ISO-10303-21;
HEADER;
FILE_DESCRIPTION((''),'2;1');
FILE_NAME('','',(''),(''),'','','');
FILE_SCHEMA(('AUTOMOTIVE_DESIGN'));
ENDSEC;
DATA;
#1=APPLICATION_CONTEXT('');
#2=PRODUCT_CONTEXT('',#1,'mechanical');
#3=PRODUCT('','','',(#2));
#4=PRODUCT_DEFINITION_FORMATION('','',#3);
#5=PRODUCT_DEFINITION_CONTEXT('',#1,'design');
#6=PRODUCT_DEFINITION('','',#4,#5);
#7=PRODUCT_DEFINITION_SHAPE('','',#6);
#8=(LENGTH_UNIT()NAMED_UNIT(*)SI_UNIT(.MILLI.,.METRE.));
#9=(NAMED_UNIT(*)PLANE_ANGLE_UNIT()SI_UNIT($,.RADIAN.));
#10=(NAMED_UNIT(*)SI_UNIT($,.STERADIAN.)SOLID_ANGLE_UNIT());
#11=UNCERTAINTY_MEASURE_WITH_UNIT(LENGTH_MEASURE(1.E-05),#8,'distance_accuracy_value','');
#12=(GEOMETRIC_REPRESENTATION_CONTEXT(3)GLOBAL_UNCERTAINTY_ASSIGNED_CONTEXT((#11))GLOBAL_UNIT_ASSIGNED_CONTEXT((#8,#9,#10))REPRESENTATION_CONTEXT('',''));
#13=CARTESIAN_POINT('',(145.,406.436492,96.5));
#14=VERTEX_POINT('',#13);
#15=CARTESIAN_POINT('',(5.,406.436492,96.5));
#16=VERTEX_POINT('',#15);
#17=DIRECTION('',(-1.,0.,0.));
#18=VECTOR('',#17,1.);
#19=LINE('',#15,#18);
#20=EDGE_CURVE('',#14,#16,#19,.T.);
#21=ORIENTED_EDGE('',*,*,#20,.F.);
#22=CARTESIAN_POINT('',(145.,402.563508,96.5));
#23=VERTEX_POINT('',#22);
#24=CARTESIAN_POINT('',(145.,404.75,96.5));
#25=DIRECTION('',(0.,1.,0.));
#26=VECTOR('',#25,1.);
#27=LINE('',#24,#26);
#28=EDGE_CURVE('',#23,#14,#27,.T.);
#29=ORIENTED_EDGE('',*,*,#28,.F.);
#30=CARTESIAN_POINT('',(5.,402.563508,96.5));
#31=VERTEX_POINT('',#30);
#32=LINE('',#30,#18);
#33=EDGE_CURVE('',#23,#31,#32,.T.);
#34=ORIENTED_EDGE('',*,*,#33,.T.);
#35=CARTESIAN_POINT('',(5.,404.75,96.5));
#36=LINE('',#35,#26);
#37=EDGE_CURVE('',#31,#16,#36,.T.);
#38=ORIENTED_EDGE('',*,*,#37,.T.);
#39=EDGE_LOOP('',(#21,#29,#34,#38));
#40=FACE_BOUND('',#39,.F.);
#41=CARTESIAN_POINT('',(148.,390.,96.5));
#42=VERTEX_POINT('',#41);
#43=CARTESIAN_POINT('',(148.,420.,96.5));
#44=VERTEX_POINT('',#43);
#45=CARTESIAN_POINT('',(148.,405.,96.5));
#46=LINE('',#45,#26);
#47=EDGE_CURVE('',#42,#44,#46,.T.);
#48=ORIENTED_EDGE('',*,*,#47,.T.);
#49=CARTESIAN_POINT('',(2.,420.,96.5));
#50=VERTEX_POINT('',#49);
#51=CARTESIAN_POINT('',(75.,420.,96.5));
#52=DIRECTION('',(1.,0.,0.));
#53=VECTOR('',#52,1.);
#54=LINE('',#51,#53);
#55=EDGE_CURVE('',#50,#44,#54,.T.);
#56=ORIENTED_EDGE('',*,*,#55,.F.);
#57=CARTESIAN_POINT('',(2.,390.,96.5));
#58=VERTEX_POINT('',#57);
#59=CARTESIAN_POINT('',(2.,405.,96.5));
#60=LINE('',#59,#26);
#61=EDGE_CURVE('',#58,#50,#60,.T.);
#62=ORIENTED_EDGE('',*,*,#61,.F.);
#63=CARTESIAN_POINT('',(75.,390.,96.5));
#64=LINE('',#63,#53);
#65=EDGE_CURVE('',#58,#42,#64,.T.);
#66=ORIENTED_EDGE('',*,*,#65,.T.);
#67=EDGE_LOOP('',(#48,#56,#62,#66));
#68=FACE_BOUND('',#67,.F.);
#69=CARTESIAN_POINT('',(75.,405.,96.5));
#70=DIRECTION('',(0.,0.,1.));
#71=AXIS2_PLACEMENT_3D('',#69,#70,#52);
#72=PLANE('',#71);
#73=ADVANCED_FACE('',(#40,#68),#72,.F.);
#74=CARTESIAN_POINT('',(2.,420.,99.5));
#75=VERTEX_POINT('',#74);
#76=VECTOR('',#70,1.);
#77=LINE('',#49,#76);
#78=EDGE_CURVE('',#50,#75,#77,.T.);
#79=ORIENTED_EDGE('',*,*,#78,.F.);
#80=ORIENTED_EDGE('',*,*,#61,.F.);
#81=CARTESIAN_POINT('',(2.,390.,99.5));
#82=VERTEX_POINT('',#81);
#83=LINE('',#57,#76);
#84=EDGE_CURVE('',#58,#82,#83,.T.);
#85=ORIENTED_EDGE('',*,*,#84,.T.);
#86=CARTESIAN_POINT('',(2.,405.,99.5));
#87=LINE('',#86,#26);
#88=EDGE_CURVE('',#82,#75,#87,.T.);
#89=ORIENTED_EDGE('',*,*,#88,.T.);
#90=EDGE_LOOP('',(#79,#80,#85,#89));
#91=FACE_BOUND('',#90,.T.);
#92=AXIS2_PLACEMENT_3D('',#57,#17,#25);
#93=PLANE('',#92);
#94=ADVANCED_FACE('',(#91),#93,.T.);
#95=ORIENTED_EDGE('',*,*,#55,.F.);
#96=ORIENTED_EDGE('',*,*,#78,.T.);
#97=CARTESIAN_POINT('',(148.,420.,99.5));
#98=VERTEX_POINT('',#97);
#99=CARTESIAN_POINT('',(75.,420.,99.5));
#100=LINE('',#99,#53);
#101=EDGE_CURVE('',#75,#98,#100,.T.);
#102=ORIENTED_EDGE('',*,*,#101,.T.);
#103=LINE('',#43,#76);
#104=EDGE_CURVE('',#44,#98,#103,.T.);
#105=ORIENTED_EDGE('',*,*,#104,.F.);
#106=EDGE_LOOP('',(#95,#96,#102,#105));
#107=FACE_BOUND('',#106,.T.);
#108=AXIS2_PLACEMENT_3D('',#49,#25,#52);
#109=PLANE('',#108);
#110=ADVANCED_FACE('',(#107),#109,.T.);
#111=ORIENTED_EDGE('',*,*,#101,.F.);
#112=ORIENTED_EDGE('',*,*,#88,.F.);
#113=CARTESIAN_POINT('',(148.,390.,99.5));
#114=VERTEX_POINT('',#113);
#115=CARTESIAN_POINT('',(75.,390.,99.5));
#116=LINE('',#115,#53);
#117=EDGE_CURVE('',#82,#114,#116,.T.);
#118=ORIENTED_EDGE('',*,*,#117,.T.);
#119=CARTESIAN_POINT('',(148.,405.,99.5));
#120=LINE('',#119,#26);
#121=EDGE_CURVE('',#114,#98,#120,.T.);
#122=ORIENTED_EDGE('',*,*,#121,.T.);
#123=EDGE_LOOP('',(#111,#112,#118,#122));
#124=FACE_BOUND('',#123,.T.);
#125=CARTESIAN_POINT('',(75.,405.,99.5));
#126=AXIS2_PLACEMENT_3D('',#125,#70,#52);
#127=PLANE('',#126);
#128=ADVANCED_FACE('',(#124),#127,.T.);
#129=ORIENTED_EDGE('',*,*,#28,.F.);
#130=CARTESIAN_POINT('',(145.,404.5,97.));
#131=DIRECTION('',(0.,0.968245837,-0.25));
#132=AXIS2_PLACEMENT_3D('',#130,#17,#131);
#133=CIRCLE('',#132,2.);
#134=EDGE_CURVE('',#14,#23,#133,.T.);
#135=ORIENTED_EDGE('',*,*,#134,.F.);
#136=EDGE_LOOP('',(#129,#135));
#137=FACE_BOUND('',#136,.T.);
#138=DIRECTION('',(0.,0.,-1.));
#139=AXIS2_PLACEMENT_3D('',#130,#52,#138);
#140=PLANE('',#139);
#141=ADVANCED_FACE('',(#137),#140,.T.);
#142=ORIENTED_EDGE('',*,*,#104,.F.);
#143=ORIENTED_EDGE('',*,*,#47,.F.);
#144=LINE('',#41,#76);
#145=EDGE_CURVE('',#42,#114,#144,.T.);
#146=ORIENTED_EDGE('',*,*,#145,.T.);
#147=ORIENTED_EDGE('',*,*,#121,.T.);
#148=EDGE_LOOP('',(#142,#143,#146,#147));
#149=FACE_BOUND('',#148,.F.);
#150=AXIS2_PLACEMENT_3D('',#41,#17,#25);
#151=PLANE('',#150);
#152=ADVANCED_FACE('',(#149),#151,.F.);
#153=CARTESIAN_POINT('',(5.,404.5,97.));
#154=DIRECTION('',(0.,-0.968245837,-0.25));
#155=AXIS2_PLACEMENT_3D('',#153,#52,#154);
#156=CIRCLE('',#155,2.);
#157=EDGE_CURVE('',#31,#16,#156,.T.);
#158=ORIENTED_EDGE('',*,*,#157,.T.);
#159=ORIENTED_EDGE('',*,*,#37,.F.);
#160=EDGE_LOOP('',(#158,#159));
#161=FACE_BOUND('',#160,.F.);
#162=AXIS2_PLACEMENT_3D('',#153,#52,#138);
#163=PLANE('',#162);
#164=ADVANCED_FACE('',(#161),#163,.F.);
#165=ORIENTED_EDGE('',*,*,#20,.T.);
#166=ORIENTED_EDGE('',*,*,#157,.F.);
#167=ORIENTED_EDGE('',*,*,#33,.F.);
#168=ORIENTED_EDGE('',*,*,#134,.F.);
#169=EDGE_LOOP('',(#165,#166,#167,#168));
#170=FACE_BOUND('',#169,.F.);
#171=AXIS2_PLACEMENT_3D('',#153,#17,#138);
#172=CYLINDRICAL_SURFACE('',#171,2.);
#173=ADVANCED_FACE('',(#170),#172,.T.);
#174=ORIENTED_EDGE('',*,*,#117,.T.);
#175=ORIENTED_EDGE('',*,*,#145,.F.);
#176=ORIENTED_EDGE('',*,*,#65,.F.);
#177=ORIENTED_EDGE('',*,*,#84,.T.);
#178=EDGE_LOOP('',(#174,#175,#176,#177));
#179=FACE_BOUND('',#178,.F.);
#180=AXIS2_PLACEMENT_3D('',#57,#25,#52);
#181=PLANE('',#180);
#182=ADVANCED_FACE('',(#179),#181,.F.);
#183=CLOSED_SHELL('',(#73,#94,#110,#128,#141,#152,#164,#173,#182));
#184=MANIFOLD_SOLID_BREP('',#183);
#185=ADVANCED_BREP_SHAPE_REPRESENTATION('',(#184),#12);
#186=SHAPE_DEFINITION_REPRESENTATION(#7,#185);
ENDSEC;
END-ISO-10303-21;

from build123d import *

# Parameters (mm, degrees)
CYLINDER013_R     = 2
CYLINDER013_DEPTH = 140
BOX018_W          = 146
BOX018_H          = 30
BOX018_DEPTH      = 3


with BuildPart() as cilindro012:
    # Cylinder013 → Cylinder013 (new body)
    with BuildSketch(Plane(origin=(5, 404.5, 97), x_dir=(0, 0, -1), z_dir=(1, 0, 0))):
        Circle(CYLINDER013_R)
    extrude(amount=CYLINDER013_DEPTH)


with BuildPart() as fusion014006:
    # Box018 → Box018 (new body)
    with BuildSketch(Plane(origin=(2, 390, 96.5), x_dir=(1, 0, 0), z_dir=(0, 0, 1))):
        with Locations((73, 15)):
            Rectangle(BOX018_W, BOX018_H)
    extrude(amount=BOX018_DEPTH)

    # Fusion014006: union Cilindro012
    add(cilindro012.part)


solid = fusion014006.part
